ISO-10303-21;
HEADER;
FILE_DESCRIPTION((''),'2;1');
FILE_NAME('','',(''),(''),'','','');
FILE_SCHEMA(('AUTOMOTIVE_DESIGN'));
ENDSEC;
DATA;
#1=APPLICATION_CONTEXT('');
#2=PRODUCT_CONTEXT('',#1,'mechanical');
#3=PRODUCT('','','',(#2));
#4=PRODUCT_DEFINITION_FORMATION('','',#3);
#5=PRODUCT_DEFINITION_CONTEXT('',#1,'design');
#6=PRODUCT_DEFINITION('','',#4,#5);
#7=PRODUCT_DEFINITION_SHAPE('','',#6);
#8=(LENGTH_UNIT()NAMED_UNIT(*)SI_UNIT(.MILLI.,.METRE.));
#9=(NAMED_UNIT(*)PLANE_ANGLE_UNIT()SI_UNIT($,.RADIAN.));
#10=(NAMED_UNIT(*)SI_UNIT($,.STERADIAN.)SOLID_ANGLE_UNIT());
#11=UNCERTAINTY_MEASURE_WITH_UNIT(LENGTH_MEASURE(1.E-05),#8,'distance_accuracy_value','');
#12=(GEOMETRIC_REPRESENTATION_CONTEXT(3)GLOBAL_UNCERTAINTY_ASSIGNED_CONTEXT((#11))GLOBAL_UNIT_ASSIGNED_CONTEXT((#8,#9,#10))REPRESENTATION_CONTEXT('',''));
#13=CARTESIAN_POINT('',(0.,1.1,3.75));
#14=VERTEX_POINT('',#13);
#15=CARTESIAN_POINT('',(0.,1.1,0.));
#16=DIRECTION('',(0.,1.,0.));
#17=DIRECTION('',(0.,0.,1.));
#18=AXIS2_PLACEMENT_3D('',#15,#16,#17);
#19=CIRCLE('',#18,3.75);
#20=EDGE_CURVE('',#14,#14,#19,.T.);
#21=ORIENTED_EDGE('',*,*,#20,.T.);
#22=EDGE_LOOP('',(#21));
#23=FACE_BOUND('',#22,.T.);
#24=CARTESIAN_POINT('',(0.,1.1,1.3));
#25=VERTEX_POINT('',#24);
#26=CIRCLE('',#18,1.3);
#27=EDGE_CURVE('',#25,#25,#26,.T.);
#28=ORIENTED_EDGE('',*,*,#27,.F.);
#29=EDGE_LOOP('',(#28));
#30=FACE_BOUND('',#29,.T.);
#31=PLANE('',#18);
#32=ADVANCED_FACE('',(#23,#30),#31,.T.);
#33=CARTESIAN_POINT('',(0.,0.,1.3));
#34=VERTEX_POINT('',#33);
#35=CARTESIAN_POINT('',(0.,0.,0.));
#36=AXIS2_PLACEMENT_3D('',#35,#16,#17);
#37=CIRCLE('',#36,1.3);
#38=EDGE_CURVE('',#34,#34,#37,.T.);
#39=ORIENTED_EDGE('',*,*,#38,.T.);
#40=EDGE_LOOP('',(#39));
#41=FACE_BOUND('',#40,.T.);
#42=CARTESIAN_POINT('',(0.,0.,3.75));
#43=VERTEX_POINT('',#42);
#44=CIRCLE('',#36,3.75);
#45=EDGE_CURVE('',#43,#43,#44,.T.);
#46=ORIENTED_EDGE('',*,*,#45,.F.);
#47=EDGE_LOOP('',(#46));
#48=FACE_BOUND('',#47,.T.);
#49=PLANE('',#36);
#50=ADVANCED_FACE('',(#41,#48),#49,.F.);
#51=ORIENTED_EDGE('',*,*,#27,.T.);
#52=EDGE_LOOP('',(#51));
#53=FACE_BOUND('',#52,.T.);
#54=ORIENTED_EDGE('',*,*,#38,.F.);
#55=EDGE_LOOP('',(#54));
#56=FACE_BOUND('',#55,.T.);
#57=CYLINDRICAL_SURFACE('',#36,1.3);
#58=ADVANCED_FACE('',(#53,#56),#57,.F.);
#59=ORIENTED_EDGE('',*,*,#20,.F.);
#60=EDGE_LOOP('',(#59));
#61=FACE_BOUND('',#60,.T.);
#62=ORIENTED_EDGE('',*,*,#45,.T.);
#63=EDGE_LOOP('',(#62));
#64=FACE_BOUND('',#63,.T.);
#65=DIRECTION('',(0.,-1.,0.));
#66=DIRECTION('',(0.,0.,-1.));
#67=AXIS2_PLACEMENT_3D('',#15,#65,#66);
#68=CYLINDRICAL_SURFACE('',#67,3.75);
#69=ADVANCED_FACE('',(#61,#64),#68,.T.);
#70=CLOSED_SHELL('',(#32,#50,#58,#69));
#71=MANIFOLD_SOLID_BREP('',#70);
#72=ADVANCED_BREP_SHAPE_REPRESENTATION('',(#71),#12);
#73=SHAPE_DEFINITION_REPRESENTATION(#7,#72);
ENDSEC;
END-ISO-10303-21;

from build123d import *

# Parameters (mm, degrees)
SKETCH1_R           = 3.75
BOSS_EXTRUDE1_DEPTH = 1.1
SKETCH2_R           = 1.3
CUT_EXTRUDE1_DEPTH  = 2.1


with BuildPart() as part:
    # Sketch1 → Boss-Extrude1 (new body)
    with BuildSketch(Plane(origin=(0, 0, 0), x_dir=(1, 0, 0), z_dir=(0, 1, 0))):
        Circle(SKETCH1_R)
    extrude(amount=BOSS_EXTRUDE1_DEPTH)

    # Sketch2 → Cut-Extrude1 (cut, through all)
    with BuildSketch(Plane(origin=(0, 1.1, 0), x_dir=(1, 0, 0), z_dir=(0, 1, 0))):
        Circle(SKETCH2_R)
    extrude(amount=-CUT_EXTRUDE1_DEPTH, mode=Mode.SUBTRACT)


solid = part.part
